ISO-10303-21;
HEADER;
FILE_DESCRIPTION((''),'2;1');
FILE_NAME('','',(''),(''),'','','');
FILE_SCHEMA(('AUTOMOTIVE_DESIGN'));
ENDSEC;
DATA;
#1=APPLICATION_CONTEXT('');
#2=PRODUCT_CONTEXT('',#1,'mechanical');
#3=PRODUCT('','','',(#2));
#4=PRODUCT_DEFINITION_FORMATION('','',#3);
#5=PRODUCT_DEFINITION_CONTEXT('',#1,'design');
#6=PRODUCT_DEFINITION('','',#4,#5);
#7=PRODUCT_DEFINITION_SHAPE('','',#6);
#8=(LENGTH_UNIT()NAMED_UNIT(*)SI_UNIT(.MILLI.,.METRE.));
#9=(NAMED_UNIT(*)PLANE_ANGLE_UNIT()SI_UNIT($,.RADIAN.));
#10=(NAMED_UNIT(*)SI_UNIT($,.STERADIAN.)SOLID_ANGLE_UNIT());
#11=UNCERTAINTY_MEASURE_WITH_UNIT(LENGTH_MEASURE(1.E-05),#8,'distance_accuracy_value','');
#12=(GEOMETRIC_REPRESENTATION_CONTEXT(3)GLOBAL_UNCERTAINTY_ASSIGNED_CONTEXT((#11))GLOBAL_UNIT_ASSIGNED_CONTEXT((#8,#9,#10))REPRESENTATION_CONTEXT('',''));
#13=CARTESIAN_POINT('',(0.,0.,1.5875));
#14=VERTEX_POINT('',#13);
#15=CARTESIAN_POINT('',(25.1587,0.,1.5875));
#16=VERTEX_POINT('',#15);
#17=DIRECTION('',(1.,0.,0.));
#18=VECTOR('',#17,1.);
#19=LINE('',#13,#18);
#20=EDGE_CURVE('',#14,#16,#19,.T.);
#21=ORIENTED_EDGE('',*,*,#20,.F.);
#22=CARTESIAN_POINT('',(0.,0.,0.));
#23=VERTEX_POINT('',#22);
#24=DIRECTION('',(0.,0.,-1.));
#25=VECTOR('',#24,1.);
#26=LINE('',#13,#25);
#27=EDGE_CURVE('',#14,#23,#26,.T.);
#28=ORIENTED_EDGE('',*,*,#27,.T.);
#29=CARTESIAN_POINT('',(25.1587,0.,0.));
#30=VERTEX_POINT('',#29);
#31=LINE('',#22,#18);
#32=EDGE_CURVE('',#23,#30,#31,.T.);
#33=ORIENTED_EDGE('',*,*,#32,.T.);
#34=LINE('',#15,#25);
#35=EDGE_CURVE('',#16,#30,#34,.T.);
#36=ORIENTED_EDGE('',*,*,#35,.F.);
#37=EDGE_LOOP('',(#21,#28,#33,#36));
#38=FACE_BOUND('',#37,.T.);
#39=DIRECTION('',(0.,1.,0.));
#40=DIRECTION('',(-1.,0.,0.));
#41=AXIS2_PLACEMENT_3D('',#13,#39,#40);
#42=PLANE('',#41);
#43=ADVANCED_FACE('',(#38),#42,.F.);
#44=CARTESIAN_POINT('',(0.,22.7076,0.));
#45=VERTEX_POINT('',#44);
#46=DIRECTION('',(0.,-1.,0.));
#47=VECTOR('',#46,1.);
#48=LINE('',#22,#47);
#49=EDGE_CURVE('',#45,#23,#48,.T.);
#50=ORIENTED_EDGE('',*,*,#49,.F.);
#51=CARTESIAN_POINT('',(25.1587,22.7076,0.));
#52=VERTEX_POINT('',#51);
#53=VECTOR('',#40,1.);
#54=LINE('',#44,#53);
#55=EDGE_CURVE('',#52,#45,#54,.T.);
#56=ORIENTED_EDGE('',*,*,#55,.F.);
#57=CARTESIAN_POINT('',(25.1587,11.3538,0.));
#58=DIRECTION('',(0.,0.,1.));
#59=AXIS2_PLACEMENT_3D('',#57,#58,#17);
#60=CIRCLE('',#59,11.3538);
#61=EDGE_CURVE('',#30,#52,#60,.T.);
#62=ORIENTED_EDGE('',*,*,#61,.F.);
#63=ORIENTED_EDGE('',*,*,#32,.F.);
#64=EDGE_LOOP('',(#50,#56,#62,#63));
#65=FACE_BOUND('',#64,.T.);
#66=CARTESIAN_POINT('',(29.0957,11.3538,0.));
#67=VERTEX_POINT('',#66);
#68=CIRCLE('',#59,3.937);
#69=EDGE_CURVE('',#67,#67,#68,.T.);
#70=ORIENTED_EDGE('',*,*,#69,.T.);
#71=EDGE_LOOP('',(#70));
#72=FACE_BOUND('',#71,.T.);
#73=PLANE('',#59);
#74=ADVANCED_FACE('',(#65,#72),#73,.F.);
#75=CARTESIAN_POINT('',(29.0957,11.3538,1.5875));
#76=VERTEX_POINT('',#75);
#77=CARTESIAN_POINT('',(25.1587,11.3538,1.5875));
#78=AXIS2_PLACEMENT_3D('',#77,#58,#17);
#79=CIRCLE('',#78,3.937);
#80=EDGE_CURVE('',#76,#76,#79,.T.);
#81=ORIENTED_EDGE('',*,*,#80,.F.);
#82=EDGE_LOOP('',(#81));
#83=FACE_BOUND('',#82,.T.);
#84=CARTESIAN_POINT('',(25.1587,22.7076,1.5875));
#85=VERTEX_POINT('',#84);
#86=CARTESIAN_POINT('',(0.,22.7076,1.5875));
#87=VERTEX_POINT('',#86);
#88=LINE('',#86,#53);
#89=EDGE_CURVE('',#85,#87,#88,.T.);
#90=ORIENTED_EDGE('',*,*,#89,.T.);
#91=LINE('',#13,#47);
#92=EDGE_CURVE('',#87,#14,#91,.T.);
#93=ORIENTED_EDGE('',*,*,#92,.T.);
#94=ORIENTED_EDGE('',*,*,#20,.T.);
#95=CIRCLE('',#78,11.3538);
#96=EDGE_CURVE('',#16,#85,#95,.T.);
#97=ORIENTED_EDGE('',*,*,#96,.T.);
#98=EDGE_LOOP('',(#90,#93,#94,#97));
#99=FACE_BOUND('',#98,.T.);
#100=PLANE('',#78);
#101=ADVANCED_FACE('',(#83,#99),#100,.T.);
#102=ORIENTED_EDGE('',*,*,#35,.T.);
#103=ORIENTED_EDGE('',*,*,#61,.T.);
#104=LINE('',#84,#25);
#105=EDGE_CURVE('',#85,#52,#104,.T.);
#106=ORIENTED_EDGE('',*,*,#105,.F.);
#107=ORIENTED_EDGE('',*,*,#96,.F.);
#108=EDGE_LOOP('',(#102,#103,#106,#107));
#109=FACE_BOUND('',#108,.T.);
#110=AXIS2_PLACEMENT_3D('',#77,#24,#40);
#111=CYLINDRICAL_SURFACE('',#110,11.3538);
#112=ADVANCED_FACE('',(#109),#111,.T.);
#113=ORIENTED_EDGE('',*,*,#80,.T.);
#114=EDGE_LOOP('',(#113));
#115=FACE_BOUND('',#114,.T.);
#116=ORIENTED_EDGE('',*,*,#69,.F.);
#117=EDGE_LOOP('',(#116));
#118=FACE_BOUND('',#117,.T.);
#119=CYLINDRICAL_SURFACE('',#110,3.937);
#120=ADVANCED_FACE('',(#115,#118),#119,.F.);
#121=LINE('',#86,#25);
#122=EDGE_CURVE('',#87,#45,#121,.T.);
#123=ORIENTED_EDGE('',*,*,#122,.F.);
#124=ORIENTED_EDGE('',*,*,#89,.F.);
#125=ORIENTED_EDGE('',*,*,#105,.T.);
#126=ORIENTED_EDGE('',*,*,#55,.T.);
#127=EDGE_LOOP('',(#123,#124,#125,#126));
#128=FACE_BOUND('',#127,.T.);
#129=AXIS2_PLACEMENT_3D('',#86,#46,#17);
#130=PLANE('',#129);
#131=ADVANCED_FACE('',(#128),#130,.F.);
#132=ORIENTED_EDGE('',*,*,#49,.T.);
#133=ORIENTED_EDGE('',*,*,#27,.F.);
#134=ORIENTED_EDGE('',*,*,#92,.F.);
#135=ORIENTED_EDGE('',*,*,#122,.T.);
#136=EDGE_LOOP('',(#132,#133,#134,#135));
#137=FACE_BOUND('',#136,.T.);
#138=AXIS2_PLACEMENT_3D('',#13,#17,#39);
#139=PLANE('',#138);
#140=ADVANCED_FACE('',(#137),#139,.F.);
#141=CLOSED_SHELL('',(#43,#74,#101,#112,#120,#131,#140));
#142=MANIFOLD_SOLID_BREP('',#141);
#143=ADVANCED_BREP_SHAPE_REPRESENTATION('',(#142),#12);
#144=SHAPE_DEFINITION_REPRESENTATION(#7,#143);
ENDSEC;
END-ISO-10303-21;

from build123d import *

# Parameters (mm, degrees)
SKETCH2_R           = 3.937
BOSS_EXTRUDE1_DEPTH = 1.5875


with BuildPart() as part:
    # Sketch2 → Boss-Extrude1 (new body)
    with BuildSketch(Plane.XY):
        with BuildLine():
            Line((0, 0), (25.1587, 0))
            ThreePointArc((25.1587, 0), (36.5125, 11.3538), (25.1587, 22.7076))
            Line((25.1587, 22.7076), (0, 22.7076))
            Line((0, 22.7076), (0, 0))
        make_face()
        with Locations((25.1587, 11.3538)):
            Circle(SKETCH2_R, mode=Mode.SUBTRACT)
    extrude(amount=BOSS_EXTRUDE1_DEPTH)


solid = part.part
